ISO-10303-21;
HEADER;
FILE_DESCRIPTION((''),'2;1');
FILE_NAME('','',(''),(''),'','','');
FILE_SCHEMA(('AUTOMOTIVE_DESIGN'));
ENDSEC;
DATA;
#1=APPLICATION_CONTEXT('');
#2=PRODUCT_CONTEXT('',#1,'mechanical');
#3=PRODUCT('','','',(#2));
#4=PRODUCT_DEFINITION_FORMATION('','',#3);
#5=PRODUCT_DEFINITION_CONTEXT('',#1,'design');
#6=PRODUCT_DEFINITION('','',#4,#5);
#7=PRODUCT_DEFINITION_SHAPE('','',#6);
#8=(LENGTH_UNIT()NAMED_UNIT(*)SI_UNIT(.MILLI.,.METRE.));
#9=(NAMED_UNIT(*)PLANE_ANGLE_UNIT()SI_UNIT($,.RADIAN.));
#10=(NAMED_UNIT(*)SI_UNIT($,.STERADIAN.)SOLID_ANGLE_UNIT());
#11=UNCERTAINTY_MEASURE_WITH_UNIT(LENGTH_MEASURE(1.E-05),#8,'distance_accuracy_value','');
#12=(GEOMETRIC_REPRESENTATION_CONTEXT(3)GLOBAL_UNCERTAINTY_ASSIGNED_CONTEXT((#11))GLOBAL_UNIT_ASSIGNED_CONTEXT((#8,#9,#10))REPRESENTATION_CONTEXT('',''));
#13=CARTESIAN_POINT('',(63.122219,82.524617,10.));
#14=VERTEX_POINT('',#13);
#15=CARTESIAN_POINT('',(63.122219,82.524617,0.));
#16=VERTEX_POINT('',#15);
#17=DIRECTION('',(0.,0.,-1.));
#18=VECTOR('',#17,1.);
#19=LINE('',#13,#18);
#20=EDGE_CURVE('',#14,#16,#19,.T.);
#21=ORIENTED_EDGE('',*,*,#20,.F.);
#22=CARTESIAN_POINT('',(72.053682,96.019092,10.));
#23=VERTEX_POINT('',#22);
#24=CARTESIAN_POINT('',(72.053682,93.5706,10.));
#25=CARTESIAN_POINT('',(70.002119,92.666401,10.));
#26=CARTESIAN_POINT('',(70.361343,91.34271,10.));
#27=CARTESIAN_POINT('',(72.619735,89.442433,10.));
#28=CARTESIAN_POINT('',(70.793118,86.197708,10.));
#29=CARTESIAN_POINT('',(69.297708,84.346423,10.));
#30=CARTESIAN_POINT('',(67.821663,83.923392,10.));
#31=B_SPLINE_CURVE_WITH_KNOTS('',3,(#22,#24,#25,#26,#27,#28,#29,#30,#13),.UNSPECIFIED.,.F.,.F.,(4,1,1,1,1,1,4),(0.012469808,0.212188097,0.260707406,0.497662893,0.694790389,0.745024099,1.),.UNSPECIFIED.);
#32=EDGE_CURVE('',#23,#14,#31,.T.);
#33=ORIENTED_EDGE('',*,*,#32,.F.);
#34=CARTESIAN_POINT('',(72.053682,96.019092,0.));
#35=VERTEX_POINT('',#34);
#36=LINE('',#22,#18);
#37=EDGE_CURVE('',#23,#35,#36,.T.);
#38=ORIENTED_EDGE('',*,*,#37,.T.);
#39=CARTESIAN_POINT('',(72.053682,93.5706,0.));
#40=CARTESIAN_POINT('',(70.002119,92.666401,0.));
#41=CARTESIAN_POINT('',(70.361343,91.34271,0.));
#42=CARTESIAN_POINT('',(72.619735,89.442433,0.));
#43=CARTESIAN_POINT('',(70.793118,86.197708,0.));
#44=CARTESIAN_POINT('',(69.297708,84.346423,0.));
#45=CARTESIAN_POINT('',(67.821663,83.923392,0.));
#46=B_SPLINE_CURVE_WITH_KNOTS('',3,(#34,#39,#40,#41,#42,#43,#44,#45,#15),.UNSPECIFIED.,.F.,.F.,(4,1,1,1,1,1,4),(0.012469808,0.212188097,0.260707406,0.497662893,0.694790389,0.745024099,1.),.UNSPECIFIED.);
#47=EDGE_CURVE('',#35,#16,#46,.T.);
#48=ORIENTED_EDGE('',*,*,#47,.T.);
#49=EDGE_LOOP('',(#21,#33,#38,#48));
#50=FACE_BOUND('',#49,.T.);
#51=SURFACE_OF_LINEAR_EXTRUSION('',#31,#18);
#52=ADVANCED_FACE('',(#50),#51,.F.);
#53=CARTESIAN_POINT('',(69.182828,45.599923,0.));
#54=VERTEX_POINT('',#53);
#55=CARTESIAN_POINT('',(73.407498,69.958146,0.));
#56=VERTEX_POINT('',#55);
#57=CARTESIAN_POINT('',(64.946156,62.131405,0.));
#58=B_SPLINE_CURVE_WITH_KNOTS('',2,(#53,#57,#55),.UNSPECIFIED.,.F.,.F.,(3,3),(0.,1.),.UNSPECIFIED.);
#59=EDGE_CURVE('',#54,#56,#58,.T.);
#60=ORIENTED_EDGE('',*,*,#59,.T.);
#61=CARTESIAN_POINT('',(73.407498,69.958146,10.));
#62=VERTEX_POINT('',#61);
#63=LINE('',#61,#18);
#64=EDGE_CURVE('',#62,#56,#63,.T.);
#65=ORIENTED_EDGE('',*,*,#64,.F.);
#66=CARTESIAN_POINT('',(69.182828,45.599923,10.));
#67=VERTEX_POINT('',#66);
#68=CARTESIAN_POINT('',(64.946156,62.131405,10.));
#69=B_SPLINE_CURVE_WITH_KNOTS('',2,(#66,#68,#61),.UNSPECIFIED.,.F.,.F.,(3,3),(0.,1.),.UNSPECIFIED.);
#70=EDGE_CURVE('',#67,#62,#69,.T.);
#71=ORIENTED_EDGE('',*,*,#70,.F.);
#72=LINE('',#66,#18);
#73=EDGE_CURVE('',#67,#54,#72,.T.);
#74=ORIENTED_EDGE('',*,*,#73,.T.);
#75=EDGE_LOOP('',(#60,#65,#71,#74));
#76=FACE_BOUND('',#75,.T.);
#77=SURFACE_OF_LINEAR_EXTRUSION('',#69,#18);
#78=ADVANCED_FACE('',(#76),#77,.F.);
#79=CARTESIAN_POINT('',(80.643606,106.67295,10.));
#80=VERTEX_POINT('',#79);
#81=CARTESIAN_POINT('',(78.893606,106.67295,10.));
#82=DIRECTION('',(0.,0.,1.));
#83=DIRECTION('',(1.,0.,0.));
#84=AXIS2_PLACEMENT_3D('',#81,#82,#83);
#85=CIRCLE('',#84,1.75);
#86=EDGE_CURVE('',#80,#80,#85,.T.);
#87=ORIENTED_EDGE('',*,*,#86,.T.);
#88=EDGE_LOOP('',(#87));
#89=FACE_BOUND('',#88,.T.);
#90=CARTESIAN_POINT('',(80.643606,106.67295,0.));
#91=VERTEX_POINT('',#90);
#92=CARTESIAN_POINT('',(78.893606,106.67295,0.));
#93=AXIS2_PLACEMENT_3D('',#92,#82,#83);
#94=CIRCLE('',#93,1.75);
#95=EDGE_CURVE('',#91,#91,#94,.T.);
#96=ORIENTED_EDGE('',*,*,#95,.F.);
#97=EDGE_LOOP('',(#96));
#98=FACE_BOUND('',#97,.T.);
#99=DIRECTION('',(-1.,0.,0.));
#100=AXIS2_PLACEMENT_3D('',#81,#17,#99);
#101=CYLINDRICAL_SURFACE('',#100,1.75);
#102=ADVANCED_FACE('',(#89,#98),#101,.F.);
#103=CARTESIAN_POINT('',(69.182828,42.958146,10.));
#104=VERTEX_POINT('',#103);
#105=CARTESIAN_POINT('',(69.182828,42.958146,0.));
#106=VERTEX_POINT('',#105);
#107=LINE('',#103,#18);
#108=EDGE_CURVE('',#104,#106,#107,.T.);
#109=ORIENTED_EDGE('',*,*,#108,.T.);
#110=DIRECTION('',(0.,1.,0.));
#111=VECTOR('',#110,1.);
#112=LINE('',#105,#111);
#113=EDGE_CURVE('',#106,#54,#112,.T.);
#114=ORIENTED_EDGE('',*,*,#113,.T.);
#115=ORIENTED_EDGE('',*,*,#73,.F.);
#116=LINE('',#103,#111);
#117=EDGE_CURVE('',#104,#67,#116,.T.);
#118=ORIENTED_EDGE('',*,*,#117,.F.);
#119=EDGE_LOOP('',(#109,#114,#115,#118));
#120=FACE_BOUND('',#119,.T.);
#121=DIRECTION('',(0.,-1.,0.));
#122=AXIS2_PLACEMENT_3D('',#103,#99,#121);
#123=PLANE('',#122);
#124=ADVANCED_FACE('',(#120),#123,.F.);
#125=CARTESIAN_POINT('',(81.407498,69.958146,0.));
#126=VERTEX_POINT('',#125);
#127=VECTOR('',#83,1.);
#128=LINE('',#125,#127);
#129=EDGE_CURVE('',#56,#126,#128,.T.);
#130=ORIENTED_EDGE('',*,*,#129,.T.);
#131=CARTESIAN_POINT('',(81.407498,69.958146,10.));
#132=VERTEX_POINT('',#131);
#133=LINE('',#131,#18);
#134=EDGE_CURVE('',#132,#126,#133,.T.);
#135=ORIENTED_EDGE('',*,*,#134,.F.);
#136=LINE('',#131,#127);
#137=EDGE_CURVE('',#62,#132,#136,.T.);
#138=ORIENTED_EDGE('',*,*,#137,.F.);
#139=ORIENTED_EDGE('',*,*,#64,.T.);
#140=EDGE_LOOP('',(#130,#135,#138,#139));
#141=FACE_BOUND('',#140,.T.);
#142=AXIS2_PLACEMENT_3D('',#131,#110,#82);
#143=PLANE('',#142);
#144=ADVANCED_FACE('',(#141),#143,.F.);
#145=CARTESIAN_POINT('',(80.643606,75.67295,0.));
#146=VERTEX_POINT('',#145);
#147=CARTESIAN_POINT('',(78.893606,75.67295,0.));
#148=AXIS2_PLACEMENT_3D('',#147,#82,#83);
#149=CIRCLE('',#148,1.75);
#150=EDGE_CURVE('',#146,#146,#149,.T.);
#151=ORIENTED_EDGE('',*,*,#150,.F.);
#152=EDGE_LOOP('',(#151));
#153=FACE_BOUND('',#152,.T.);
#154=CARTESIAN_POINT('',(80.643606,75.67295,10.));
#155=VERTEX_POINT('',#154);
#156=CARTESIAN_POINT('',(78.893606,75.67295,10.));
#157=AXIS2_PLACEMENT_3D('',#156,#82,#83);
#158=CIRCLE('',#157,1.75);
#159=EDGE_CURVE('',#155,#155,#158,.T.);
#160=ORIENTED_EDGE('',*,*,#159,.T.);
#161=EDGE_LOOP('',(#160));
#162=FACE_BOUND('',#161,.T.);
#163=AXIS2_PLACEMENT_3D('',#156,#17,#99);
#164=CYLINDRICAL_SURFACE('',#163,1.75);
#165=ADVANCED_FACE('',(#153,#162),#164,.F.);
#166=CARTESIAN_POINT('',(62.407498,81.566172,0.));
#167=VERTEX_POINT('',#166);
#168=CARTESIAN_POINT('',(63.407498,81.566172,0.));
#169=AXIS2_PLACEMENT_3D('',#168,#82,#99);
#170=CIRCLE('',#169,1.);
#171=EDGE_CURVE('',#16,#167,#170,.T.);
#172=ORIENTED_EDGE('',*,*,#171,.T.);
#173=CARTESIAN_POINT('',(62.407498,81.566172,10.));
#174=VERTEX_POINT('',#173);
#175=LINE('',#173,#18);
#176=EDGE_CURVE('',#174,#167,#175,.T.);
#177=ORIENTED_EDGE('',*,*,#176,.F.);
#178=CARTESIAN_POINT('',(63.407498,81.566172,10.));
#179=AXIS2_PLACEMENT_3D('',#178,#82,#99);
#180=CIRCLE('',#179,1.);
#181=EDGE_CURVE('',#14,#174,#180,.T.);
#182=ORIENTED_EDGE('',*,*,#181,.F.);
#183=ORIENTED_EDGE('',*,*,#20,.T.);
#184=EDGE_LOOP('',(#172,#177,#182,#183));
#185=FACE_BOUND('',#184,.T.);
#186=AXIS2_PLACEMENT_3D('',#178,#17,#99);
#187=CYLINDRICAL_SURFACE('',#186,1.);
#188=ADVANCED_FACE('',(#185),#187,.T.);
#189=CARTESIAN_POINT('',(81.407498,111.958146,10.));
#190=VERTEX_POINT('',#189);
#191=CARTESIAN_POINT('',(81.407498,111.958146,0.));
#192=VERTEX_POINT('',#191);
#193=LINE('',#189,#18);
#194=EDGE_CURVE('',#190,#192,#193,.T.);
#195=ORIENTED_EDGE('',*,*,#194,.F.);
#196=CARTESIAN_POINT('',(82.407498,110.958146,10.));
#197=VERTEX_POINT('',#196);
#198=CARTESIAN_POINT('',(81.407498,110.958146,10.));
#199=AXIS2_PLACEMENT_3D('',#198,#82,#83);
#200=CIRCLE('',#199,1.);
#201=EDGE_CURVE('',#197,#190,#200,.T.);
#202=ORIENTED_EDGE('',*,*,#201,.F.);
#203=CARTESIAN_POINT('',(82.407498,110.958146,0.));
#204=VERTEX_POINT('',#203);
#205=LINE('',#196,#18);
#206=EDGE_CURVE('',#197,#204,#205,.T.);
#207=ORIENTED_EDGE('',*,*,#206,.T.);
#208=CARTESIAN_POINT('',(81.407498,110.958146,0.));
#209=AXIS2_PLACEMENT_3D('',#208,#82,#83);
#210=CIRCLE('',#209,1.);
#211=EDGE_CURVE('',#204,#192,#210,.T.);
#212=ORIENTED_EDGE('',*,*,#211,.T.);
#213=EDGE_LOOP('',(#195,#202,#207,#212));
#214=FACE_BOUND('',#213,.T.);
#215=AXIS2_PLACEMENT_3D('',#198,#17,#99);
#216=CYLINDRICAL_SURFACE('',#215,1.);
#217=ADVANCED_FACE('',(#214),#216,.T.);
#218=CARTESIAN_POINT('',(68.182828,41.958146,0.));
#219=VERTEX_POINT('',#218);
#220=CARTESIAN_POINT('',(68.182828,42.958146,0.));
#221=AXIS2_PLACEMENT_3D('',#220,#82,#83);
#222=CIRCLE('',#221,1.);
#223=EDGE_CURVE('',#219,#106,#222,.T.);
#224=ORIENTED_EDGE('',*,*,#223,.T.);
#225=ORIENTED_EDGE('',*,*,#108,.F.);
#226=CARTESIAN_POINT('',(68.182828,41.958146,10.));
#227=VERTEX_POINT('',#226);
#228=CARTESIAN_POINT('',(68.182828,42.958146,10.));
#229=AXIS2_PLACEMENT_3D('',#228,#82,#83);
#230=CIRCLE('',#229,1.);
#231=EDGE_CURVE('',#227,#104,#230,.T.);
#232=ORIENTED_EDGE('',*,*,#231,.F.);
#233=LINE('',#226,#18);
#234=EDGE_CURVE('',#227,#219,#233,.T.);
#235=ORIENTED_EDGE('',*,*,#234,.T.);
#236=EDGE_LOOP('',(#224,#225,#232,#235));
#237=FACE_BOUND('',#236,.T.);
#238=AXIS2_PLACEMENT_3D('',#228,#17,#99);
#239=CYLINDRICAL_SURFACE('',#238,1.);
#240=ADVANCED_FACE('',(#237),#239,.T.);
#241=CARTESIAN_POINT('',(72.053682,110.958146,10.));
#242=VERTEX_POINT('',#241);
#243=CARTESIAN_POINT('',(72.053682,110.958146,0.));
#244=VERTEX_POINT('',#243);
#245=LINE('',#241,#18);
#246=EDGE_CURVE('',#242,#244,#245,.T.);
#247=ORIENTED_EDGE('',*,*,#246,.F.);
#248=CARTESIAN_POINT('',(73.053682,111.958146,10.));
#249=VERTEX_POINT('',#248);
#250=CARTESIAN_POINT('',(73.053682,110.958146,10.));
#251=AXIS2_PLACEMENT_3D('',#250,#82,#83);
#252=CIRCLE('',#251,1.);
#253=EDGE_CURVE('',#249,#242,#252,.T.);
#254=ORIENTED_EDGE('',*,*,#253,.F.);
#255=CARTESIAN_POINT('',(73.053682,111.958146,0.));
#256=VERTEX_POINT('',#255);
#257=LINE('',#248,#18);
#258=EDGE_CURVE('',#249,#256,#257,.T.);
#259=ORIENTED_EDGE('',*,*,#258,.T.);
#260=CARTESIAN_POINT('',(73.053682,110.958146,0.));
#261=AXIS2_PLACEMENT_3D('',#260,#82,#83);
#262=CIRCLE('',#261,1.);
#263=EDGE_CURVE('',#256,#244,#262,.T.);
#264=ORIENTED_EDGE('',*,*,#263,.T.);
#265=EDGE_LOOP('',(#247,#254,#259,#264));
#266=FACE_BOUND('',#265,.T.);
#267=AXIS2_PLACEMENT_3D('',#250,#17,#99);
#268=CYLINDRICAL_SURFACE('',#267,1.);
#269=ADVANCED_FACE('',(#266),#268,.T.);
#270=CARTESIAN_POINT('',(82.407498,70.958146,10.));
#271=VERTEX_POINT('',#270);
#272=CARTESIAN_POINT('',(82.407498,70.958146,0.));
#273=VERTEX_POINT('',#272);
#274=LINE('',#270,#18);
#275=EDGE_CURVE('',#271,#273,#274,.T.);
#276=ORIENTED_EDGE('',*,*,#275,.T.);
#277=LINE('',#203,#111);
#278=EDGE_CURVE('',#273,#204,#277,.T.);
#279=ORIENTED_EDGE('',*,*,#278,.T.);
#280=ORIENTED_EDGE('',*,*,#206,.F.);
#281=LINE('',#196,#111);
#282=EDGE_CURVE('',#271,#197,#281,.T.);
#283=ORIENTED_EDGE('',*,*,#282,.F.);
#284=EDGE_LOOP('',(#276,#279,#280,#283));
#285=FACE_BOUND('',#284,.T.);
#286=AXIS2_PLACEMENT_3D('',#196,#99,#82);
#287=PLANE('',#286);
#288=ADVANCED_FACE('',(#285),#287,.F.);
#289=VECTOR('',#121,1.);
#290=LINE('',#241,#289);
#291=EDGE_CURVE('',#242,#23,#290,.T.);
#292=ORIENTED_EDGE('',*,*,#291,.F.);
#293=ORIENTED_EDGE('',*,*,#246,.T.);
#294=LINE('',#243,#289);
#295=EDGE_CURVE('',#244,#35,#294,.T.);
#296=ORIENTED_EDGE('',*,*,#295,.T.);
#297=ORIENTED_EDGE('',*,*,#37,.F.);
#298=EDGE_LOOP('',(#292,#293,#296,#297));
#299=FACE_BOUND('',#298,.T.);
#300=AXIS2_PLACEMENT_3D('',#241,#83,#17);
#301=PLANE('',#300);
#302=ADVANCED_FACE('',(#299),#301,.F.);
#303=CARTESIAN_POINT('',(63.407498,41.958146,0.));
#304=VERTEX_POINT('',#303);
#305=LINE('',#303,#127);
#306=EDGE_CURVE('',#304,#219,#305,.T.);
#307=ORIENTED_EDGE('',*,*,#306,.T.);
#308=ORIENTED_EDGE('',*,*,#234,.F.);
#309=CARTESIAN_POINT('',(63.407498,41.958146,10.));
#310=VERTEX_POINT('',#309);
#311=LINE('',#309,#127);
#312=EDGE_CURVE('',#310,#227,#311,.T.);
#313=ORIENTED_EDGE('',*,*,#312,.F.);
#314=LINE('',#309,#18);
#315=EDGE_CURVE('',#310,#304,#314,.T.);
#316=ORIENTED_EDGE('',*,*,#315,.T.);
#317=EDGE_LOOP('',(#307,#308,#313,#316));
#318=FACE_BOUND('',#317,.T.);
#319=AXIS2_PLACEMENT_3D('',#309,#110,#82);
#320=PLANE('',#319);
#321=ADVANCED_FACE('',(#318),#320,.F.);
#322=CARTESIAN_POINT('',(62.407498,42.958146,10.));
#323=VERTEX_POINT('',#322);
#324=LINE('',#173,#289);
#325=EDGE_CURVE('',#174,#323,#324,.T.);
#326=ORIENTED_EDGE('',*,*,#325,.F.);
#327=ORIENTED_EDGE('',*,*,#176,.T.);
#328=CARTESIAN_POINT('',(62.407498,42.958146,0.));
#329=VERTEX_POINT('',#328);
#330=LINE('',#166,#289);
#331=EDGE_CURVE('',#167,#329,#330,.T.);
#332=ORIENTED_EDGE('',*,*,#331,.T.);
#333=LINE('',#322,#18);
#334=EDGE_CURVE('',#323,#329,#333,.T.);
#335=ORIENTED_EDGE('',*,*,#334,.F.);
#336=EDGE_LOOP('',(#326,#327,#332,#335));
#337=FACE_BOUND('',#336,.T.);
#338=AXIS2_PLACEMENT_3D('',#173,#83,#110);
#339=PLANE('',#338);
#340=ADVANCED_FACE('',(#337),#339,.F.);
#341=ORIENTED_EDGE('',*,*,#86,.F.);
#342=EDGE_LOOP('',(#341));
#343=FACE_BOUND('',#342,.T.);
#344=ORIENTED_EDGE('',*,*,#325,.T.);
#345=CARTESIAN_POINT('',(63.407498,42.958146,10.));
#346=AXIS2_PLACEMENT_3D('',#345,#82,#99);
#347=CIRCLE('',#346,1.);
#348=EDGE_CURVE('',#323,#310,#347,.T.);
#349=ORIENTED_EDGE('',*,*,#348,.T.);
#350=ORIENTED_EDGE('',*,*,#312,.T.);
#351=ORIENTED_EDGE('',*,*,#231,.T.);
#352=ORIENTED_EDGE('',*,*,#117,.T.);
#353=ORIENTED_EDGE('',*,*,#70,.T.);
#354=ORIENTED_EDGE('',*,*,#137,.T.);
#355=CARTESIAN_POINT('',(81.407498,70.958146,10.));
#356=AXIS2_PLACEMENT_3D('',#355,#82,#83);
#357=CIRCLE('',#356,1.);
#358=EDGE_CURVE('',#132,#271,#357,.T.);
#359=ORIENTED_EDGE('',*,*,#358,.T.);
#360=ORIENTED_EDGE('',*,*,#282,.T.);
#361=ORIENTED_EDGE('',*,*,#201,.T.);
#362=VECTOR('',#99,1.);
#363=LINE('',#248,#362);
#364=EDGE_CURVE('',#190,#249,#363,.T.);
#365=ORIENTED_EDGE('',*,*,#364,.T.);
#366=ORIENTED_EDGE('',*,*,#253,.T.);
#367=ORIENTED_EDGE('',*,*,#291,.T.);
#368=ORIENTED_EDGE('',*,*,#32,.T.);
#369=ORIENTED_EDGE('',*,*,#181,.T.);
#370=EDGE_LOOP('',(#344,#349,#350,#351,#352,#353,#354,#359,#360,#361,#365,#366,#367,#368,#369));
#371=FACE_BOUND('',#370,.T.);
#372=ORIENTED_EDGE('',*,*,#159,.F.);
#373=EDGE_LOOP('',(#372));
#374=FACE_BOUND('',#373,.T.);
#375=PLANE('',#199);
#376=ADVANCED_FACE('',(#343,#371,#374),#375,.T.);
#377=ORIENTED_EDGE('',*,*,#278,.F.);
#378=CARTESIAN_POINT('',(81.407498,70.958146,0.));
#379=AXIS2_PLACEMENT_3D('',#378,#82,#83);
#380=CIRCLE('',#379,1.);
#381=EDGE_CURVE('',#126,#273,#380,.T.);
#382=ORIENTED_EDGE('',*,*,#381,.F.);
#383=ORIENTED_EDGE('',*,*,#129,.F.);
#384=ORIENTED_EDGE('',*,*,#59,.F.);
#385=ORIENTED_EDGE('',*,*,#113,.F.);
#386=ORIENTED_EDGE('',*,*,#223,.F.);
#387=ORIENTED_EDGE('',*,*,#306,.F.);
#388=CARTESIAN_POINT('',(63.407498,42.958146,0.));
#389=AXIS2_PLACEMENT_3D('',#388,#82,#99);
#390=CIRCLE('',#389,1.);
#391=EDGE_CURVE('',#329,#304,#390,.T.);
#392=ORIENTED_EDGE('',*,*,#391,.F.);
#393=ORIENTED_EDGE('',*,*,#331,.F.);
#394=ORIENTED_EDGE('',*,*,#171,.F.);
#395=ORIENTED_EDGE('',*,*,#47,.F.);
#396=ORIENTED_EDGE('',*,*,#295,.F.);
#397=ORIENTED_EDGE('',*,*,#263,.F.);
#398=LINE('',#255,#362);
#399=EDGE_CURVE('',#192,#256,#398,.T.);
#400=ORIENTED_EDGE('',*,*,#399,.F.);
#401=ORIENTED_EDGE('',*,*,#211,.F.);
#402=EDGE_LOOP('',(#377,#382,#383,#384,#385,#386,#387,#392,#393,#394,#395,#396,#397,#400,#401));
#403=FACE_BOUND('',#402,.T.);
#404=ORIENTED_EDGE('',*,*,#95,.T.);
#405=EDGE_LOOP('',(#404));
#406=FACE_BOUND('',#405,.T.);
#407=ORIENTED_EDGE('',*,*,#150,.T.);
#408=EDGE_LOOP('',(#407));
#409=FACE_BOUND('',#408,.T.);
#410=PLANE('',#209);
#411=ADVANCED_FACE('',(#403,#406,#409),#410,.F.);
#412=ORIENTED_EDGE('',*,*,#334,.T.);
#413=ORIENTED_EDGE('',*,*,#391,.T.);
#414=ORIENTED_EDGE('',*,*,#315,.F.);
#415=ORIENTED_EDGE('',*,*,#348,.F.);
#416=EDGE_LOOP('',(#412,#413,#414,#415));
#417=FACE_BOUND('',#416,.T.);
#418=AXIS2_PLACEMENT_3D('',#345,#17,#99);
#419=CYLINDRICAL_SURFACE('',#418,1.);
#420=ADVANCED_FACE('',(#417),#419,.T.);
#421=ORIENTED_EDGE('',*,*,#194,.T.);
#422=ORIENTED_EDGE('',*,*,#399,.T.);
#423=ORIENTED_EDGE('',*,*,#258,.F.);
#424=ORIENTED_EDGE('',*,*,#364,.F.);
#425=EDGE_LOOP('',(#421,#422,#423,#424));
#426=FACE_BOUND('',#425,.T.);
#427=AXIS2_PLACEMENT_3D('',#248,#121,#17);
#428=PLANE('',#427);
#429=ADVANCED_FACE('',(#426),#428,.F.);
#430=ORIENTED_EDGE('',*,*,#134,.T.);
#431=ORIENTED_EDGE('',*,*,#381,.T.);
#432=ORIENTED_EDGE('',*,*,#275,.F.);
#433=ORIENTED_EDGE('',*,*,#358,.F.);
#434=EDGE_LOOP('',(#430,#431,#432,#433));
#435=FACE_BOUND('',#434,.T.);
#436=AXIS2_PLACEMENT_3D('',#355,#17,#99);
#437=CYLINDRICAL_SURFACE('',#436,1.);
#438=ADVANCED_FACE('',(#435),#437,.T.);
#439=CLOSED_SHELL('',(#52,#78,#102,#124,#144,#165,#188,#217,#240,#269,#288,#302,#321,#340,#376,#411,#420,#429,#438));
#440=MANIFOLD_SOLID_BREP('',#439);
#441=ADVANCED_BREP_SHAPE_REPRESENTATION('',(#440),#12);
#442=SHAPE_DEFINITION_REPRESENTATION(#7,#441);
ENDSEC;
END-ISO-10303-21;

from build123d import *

# Parameters (mm, degrees)
SKETCH1_R           = 1.75
BOSS_EXTRUDE1_DEPTH = 10


with BuildPart() as part:
    # Sketch1 → Boss-Extrude1 (new body)
    with BuildSketch(Plane.XY):
        with BuildLine():
            Line((73.053682236, 111.958146332), (81.407497616, 111.958146332))
            ThreePointArc((81.407497616, 111.958146332), (82.114604398, 111.665253114), (82.407497616, 110.958146332))
            Line((82.407497616, 110.958146332), (82.407497616, 70.958146332))
            ThreePointArc((82.407497616, 70.958146332), (82.114604398, 70.251039551), (81.407497616, 69.958146332))
            Line((81.407497616, 69.958146332), (73.407497616, 69.958146332))
            add(Edge.make_bspline(
                [(69.182828204, 45.599922824), (64.94615604, 62.131405374), (73.407497616, 69.958146332)],
                knots=[0, 0, 0, 1, 1, 1], degree=2))
            Line((69.182828204, 45.599922824), (69.182828204, 42.958146332))
            ThreePointArc((69.182828204, 42.958146332), (68.889934985, 42.251039551), (68.182828204, 41.958146332))
            Line((68.182828204, 41.958146332), (63.407497616, 41.958146332))
            ThreePointArc((63.407497616, 41.958146332), (62.700390835, 42.251039551), (62.407497616, 42.958146332))
            Line((62.407497616, 42.958146332), (62.407497616, 81.5661721))
            ThreePointArc((62.407497616, 81.5661721), (62.605849898, 82.163968834), (63.122219487, 82.524616876))
            add(Edge.make_bspline(
                [(63.122219487, 82.524616876), (67.821663275, 83.923391816), (69.297708233, 84.346422766), (70.793118302, 86.197707517), (72.619735364, 89.442432773), (70.361342971, 91.342709778), (70.002118619, 92.666400755), (72.053682236, 93.570600079), (72.053682236, 96.019092409)],
                knots=[0.012469808, 0.012469808, 0.012469808, 0.012469808, 0.267445708, 0.317679419, 0.514806914, 0.751762402, 0.800281711, 1, 1, 1, 1], degree=3))
            Line((72.053682236, 96.019092409), (72.053682236, 110.958146332))
            ThreePointArc((72.053682236, 110.958146332), (72.346575455, 111.665253114), (73.053682236, 111.958146332))
        make_face()
        with Locations((78.893605795, 106.672950269)):
            Circle(SKETCH1_R, mode=Mode.SUBTRACT)
        with Locations((78.893605795, 75.672950269)):
            Circle(SKETCH1_R, mode=Mode.SUBTRACT)
    extrude(amount=BOSS_EXTRUDE1_DEPTH)


solid = part.part
